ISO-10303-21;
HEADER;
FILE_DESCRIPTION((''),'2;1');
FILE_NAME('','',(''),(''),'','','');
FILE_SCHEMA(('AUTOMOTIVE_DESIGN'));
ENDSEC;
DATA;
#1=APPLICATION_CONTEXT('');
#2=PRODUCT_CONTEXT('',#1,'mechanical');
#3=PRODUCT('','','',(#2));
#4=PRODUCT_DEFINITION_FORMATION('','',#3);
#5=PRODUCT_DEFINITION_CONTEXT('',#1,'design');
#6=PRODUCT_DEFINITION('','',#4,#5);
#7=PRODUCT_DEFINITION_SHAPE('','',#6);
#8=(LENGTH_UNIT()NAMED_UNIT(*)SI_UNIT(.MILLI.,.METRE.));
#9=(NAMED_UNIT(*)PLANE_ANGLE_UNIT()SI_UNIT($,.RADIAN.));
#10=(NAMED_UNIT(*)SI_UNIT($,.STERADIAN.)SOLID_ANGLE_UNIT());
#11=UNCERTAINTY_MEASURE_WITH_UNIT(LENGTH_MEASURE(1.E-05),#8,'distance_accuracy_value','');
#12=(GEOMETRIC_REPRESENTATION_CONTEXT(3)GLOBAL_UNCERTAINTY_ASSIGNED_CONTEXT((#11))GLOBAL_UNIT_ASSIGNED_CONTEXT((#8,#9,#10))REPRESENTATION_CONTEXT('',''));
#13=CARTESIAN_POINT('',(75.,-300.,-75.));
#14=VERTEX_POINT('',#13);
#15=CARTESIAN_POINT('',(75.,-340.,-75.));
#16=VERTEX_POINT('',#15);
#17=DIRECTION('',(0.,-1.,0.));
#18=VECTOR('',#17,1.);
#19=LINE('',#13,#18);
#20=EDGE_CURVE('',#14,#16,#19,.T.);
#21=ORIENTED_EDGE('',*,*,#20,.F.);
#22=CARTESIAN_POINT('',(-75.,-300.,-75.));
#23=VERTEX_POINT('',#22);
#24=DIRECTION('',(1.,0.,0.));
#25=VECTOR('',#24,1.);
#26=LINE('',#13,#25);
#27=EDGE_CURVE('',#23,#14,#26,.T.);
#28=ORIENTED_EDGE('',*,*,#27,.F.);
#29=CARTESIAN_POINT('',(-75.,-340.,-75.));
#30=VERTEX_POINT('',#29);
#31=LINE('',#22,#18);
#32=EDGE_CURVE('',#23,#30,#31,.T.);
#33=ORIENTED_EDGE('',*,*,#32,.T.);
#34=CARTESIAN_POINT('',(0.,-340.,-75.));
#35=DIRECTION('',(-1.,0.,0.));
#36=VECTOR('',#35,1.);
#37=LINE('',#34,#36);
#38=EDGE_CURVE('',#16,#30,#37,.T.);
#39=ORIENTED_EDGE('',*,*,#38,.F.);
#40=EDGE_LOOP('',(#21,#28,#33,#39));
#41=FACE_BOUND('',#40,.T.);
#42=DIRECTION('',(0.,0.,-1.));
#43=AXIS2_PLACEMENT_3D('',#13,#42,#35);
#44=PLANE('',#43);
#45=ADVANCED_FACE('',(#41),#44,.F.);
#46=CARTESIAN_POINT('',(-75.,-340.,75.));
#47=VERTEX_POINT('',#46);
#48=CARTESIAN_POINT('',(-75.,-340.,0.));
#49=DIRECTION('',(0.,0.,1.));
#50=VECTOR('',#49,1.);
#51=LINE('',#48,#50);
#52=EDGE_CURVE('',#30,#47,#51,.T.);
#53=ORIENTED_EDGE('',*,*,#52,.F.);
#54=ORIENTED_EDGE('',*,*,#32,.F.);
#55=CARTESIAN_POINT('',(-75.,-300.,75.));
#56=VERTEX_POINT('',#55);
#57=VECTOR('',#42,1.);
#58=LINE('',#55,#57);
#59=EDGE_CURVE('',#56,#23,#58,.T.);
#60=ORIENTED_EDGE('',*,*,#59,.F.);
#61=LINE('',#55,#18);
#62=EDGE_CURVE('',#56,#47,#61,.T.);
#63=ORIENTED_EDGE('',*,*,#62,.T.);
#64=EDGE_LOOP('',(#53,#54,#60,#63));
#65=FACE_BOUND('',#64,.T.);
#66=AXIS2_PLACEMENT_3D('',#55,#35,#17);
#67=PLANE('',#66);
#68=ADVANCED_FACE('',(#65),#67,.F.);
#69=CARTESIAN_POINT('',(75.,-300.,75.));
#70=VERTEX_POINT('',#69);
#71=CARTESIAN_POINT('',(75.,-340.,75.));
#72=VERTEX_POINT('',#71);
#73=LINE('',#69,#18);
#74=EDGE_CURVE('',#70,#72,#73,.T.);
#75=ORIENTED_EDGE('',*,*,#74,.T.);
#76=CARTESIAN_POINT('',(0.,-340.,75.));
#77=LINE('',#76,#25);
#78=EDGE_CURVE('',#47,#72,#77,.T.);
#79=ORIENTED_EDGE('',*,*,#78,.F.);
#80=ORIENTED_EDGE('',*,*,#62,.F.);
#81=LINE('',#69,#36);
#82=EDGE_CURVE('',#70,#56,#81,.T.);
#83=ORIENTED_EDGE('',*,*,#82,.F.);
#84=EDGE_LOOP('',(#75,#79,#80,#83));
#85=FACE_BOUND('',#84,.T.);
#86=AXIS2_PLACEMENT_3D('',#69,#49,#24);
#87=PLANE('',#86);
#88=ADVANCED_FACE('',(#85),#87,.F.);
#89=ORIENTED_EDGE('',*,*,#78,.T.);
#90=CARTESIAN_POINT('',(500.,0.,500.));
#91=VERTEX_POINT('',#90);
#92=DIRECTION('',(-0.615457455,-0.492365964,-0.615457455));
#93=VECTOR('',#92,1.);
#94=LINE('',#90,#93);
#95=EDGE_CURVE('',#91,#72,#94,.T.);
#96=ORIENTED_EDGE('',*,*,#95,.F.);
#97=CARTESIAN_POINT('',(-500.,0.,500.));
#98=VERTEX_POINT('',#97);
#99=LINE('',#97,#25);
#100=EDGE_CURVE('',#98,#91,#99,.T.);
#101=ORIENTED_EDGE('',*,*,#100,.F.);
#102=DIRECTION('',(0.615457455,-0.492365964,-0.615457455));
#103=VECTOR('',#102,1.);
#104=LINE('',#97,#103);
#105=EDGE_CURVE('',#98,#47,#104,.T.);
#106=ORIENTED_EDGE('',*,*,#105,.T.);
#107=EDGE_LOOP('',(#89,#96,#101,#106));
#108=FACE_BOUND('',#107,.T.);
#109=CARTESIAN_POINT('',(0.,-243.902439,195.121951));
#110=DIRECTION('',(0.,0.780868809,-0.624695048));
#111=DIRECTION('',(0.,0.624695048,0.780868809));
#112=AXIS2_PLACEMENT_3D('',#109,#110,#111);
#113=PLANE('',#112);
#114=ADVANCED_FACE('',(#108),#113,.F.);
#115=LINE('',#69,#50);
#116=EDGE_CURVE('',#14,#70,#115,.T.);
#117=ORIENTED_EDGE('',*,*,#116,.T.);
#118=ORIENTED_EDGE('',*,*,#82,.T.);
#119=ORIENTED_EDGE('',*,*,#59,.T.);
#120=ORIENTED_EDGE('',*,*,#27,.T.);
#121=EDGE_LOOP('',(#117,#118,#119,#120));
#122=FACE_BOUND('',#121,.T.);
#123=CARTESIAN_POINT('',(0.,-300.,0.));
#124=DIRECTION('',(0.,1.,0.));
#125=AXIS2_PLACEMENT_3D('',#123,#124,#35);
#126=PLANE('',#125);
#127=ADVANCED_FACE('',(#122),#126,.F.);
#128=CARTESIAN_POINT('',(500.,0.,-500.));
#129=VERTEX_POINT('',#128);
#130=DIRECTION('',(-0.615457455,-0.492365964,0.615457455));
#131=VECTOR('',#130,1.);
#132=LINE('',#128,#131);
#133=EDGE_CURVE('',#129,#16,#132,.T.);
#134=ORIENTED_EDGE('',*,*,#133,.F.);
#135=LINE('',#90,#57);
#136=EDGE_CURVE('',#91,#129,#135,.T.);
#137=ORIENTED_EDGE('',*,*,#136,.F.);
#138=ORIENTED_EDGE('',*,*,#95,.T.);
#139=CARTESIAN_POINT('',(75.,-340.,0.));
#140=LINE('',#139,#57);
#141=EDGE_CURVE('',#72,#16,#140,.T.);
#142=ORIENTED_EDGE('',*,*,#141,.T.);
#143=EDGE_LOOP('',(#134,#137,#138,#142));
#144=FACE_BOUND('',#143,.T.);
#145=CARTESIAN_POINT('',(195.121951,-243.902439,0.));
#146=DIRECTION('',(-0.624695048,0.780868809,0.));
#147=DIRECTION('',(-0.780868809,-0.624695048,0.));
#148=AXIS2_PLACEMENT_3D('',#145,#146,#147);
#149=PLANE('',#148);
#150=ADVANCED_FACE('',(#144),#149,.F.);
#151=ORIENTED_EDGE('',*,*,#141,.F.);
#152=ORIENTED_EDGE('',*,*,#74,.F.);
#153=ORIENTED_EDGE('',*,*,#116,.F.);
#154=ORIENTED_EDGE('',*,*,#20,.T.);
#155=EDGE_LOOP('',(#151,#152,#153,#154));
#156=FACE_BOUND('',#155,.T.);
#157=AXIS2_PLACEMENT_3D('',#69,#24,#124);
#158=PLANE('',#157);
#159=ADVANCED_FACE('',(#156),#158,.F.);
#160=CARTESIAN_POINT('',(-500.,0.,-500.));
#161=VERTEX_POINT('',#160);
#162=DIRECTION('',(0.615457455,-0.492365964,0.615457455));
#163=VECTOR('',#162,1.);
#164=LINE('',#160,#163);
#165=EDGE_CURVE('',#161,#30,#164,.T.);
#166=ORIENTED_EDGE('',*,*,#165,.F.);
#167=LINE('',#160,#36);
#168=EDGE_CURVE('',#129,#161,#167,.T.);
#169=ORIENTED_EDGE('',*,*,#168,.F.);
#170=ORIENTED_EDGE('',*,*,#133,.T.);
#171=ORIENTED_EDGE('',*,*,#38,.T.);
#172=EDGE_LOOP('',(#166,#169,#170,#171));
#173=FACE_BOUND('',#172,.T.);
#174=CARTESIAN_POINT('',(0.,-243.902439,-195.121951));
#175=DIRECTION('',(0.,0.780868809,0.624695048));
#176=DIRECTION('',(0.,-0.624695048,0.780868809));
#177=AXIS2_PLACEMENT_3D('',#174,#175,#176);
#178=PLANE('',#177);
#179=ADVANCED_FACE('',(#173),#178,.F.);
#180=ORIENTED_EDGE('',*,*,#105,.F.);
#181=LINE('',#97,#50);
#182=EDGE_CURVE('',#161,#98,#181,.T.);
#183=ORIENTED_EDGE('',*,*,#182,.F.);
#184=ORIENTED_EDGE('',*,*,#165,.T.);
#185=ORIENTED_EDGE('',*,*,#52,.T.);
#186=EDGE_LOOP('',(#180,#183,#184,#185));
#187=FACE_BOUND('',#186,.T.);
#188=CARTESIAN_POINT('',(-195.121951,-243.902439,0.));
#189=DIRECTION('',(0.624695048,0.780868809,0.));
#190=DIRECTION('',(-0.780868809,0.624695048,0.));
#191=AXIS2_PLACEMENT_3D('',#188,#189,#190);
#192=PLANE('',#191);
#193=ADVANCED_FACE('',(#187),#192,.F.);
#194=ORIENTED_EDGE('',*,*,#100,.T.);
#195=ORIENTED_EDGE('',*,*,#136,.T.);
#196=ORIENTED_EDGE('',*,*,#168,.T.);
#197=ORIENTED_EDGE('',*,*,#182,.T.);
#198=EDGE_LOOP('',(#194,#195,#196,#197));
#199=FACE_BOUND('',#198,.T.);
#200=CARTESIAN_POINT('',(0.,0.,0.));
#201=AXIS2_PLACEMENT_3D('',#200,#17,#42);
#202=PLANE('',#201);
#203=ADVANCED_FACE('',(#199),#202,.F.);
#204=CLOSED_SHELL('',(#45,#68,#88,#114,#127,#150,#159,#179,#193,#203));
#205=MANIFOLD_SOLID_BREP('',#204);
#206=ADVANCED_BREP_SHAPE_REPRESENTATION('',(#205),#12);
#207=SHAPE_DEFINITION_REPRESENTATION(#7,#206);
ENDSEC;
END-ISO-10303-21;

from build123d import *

# Parameters (mm, degrees)
SKETCH5_W          = 150
SKETCH5_H          = 150
CUT_EXTRUDE1_DEPTH = 100


with BuildPart() as part:
    # Sketch1 → Loft1 section 0
    with BuildSketch(Plane(origin=(0, 0, 0), x_dir=(1, 0, 0), z_dir=(0, 1, 0)), mode=Mode.PRIVATE) as loft1_s0:
        with BuildLine():
            Line((-500, -500), (500, -500))
            Line((500, -500), (500, 500))
            Line((500, 500), (-500, 500))
            Line((-500, 500), (-500, -500))
        make_face()
    loft([loft1_s0.sketch, Vertex(0, -400, 0)])

    # Sketch5 → Cut-Extrude1 (cut)
    with BuildSketch(Plane(origin=(0, -400, 0), x_dir=(-1, 0, 0), z_dir=(0, -1, 0))):
        Rectangle(SKETCH5_W, SKETCH5_H)
    extrude(amount=-CUT_EXTRUDE1_DEPTH, mode=Mode.SUBTRACT)


solid = part.part
